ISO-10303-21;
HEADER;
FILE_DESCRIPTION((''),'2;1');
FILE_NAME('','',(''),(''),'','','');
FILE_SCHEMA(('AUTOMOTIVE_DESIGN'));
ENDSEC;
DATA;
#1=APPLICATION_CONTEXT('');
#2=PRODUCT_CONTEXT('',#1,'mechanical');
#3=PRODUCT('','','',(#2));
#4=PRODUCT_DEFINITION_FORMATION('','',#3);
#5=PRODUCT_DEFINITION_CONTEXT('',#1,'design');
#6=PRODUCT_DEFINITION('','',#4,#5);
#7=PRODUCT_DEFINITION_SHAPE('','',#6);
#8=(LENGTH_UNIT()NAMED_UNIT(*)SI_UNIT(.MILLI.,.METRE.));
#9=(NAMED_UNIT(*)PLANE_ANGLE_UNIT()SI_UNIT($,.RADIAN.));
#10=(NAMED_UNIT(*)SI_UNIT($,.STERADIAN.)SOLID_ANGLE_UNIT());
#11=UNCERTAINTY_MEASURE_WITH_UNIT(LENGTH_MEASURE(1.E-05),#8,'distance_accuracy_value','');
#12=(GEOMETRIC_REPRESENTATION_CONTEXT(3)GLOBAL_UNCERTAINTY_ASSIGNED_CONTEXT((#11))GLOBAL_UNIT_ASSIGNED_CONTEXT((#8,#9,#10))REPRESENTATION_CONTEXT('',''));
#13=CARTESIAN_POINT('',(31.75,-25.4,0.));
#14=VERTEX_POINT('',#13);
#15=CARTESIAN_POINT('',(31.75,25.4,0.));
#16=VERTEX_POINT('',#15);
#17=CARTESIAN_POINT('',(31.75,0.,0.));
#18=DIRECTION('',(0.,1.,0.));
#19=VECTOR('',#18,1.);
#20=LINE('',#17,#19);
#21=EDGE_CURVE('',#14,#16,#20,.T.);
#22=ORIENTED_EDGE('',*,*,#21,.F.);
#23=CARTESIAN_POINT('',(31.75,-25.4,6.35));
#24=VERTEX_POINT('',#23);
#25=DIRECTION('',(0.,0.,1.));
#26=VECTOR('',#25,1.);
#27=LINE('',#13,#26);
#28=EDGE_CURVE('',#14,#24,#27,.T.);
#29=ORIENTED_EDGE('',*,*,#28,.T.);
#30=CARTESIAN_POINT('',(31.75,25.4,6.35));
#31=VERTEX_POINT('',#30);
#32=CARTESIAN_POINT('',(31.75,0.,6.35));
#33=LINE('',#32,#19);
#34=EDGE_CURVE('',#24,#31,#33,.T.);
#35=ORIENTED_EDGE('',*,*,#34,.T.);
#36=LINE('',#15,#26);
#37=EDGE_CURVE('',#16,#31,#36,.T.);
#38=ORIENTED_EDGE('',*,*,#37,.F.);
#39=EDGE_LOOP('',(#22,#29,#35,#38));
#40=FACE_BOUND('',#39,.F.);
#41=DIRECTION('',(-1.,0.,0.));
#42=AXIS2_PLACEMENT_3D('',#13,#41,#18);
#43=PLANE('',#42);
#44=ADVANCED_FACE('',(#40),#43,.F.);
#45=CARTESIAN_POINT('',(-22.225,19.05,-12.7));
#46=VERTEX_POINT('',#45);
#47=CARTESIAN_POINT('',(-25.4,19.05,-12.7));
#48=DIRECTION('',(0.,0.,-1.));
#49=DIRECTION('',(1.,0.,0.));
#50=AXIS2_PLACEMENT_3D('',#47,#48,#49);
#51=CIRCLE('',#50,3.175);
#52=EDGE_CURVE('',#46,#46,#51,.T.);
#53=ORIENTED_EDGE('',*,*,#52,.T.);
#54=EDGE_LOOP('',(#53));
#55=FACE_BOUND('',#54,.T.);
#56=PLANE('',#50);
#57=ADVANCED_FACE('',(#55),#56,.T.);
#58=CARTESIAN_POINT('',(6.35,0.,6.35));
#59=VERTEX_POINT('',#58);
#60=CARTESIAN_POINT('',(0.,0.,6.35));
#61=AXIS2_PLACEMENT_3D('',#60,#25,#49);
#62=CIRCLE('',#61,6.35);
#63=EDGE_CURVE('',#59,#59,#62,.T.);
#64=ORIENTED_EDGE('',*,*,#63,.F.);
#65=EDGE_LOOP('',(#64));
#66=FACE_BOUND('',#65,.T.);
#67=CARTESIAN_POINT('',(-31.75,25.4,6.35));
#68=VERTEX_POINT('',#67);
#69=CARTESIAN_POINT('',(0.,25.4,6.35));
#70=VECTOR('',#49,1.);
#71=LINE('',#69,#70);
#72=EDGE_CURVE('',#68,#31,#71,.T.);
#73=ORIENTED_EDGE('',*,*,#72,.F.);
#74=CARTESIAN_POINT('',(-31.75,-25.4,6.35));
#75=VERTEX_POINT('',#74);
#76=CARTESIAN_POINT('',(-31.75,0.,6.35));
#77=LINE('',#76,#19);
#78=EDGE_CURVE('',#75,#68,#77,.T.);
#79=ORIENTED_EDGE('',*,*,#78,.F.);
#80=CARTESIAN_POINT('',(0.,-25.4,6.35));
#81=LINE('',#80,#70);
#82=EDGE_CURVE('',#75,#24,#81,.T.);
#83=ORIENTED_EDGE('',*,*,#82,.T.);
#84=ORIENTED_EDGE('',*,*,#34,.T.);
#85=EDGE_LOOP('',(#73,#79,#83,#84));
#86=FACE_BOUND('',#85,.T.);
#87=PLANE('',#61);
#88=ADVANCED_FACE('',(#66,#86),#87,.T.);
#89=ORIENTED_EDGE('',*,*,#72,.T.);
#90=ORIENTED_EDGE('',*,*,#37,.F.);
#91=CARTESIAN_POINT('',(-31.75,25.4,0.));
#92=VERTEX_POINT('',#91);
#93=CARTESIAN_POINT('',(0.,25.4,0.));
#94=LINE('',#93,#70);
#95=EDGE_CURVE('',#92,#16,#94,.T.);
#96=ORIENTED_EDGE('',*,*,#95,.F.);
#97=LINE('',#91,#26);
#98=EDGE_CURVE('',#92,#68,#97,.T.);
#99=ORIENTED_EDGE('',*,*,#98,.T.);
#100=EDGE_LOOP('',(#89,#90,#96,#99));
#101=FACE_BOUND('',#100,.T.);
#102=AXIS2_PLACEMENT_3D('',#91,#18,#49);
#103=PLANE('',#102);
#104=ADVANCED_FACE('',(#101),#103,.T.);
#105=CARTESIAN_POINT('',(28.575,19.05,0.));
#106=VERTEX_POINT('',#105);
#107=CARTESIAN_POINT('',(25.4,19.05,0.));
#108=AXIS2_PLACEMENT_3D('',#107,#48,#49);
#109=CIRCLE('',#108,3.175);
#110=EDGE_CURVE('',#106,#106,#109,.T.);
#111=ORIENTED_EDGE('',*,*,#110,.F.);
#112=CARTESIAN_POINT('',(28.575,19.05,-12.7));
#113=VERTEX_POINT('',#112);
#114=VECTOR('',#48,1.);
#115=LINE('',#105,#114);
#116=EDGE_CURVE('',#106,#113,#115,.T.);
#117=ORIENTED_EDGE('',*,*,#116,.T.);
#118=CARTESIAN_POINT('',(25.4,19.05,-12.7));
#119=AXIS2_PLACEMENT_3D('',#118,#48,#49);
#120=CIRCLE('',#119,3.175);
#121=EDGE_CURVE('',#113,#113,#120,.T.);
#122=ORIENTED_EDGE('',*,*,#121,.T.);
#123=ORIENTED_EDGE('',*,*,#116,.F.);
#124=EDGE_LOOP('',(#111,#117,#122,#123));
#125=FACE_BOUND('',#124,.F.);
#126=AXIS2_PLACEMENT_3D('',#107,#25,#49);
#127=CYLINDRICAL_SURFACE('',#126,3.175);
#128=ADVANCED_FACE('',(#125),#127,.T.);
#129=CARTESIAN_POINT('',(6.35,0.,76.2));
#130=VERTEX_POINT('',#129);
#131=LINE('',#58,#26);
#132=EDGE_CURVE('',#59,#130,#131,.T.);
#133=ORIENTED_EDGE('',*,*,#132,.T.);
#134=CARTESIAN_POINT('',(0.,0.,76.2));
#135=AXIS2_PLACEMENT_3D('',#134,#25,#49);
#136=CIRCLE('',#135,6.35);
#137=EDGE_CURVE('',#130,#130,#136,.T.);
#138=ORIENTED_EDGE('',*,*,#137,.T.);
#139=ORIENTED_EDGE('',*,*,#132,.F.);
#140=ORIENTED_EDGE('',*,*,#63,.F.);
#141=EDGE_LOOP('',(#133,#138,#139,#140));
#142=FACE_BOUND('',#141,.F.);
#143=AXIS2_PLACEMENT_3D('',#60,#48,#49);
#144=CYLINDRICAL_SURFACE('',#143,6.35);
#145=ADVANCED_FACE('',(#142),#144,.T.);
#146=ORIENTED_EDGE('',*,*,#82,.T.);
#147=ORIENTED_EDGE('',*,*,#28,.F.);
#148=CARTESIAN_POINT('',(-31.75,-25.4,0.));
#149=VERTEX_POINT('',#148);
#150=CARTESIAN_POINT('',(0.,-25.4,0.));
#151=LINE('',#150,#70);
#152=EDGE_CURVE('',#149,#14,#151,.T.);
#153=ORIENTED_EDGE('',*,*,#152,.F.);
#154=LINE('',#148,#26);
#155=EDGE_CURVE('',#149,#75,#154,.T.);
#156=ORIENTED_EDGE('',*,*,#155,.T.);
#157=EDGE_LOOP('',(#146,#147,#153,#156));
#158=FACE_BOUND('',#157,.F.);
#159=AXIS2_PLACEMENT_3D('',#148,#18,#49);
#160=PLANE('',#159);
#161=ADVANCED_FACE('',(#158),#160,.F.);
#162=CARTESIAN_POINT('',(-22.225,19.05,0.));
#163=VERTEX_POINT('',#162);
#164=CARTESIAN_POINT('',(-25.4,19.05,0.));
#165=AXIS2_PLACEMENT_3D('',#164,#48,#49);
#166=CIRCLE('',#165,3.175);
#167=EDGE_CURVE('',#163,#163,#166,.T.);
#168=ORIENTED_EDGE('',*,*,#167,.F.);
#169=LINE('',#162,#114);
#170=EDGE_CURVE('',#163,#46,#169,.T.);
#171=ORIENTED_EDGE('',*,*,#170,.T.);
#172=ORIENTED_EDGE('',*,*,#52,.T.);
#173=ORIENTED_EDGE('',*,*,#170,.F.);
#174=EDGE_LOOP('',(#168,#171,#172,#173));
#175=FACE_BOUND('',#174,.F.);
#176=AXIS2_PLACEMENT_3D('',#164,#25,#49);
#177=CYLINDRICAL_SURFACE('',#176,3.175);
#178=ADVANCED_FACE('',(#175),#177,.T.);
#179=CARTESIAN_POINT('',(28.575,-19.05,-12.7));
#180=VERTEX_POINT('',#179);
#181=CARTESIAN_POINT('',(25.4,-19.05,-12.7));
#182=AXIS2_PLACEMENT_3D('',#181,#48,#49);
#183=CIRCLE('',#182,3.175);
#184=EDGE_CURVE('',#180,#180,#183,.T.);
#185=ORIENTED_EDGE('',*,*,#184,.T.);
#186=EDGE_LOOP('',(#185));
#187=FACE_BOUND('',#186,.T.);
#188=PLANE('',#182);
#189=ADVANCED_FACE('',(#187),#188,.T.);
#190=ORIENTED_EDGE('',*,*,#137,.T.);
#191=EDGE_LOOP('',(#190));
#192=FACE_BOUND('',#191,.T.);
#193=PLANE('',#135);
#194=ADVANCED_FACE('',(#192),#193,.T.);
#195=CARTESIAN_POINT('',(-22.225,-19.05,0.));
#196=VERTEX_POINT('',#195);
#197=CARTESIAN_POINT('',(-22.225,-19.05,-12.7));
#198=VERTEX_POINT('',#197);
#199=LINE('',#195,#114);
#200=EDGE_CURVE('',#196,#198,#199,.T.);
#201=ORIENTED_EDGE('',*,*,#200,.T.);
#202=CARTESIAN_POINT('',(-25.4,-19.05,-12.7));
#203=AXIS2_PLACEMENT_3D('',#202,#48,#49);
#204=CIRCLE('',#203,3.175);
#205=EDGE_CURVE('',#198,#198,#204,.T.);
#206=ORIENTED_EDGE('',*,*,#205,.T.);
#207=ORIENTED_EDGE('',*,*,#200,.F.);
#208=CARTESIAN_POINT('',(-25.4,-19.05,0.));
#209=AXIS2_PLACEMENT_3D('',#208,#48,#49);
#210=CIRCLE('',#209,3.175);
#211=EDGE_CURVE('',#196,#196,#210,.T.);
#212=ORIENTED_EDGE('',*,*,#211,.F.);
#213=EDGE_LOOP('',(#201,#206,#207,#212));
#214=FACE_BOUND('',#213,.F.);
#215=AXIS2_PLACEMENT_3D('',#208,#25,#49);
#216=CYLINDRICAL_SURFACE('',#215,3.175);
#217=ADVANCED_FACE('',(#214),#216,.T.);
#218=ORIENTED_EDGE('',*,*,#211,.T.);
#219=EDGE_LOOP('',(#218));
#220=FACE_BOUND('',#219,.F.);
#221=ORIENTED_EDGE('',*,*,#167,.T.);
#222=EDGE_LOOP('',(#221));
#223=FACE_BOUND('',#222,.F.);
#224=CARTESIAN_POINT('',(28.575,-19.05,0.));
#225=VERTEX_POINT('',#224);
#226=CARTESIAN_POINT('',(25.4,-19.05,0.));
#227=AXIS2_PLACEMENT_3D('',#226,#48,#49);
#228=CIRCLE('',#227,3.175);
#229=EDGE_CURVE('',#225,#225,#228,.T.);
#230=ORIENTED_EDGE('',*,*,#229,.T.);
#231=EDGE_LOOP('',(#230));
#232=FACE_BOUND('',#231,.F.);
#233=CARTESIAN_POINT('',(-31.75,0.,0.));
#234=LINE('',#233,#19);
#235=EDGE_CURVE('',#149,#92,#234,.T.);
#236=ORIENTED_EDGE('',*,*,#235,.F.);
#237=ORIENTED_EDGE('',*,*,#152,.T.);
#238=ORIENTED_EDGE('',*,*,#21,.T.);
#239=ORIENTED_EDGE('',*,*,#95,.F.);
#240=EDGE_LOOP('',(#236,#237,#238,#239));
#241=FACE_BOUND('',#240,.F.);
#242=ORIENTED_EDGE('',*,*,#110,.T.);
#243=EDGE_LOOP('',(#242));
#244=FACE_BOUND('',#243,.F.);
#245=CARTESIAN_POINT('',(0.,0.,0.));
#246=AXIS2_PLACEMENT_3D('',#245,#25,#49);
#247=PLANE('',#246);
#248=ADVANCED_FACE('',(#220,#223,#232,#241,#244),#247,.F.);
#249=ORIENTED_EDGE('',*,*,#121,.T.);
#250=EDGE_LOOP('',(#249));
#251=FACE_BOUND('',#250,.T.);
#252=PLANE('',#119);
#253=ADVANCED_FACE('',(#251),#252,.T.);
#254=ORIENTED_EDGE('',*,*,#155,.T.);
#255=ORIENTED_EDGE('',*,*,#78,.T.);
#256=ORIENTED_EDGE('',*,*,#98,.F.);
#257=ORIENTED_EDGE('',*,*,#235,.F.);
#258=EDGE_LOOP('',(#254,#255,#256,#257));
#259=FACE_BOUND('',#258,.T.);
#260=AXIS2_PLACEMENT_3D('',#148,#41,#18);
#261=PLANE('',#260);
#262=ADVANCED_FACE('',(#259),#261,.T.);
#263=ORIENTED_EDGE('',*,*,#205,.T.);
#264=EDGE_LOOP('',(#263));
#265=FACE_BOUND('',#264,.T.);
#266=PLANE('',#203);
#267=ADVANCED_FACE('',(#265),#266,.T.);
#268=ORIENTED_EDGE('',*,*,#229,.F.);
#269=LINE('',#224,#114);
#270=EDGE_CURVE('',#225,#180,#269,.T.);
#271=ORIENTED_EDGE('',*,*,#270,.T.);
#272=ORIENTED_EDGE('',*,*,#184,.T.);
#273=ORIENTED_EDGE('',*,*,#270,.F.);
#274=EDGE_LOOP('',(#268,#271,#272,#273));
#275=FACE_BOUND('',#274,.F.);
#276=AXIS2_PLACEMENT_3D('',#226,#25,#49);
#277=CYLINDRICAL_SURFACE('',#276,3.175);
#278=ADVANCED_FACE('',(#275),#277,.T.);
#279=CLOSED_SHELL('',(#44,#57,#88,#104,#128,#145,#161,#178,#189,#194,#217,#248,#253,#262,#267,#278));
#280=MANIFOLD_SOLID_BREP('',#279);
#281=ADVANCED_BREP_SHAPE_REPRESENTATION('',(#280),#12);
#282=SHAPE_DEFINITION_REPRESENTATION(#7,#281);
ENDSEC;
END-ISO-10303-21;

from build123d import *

# Parameters (mm, degrees)
F0_W     = 63.5
F0_H     = 50.8
F1_DEPTH = 6.35
F2_R     = 6.35
F3_DEPTH = 69.85
F4_R     = 3.175
F5_DEPTH = 12.7


with BuildPart() as f1:
    # F0 (on Top) → F1 (new body)
    with BuildSketch(Plane.XY):
        Rectangle(F0_W, F0_H)
    extrude(amount=F1_DEPTH)

    # F2 (on face) → F3 (join)
    with BuildSketch(Plane.XY.offset(6.35)):
        Circle(F2_R)
    extrude(amount=F3_DEPTH)

    # F4 (on face) → F5 (join)
    with BuildSketch(Plane(origin=(0, 0, 0), x_dir=(1, 0, 0), z_dir=(0, 0, -1))):
        with Locations((-25.4, 19.05)):
            Circle(F4_R)
        with Locations((25.4, 19.05)):
            Circle(F4_R)
        with Locations((-25.4, -19.05)):
            Circle(F4_R)
        with Locations((25.4, -19.05)):
            Circle(F4_R)
    extrude(amount=F5_DEPTH)


solid = f1.part
